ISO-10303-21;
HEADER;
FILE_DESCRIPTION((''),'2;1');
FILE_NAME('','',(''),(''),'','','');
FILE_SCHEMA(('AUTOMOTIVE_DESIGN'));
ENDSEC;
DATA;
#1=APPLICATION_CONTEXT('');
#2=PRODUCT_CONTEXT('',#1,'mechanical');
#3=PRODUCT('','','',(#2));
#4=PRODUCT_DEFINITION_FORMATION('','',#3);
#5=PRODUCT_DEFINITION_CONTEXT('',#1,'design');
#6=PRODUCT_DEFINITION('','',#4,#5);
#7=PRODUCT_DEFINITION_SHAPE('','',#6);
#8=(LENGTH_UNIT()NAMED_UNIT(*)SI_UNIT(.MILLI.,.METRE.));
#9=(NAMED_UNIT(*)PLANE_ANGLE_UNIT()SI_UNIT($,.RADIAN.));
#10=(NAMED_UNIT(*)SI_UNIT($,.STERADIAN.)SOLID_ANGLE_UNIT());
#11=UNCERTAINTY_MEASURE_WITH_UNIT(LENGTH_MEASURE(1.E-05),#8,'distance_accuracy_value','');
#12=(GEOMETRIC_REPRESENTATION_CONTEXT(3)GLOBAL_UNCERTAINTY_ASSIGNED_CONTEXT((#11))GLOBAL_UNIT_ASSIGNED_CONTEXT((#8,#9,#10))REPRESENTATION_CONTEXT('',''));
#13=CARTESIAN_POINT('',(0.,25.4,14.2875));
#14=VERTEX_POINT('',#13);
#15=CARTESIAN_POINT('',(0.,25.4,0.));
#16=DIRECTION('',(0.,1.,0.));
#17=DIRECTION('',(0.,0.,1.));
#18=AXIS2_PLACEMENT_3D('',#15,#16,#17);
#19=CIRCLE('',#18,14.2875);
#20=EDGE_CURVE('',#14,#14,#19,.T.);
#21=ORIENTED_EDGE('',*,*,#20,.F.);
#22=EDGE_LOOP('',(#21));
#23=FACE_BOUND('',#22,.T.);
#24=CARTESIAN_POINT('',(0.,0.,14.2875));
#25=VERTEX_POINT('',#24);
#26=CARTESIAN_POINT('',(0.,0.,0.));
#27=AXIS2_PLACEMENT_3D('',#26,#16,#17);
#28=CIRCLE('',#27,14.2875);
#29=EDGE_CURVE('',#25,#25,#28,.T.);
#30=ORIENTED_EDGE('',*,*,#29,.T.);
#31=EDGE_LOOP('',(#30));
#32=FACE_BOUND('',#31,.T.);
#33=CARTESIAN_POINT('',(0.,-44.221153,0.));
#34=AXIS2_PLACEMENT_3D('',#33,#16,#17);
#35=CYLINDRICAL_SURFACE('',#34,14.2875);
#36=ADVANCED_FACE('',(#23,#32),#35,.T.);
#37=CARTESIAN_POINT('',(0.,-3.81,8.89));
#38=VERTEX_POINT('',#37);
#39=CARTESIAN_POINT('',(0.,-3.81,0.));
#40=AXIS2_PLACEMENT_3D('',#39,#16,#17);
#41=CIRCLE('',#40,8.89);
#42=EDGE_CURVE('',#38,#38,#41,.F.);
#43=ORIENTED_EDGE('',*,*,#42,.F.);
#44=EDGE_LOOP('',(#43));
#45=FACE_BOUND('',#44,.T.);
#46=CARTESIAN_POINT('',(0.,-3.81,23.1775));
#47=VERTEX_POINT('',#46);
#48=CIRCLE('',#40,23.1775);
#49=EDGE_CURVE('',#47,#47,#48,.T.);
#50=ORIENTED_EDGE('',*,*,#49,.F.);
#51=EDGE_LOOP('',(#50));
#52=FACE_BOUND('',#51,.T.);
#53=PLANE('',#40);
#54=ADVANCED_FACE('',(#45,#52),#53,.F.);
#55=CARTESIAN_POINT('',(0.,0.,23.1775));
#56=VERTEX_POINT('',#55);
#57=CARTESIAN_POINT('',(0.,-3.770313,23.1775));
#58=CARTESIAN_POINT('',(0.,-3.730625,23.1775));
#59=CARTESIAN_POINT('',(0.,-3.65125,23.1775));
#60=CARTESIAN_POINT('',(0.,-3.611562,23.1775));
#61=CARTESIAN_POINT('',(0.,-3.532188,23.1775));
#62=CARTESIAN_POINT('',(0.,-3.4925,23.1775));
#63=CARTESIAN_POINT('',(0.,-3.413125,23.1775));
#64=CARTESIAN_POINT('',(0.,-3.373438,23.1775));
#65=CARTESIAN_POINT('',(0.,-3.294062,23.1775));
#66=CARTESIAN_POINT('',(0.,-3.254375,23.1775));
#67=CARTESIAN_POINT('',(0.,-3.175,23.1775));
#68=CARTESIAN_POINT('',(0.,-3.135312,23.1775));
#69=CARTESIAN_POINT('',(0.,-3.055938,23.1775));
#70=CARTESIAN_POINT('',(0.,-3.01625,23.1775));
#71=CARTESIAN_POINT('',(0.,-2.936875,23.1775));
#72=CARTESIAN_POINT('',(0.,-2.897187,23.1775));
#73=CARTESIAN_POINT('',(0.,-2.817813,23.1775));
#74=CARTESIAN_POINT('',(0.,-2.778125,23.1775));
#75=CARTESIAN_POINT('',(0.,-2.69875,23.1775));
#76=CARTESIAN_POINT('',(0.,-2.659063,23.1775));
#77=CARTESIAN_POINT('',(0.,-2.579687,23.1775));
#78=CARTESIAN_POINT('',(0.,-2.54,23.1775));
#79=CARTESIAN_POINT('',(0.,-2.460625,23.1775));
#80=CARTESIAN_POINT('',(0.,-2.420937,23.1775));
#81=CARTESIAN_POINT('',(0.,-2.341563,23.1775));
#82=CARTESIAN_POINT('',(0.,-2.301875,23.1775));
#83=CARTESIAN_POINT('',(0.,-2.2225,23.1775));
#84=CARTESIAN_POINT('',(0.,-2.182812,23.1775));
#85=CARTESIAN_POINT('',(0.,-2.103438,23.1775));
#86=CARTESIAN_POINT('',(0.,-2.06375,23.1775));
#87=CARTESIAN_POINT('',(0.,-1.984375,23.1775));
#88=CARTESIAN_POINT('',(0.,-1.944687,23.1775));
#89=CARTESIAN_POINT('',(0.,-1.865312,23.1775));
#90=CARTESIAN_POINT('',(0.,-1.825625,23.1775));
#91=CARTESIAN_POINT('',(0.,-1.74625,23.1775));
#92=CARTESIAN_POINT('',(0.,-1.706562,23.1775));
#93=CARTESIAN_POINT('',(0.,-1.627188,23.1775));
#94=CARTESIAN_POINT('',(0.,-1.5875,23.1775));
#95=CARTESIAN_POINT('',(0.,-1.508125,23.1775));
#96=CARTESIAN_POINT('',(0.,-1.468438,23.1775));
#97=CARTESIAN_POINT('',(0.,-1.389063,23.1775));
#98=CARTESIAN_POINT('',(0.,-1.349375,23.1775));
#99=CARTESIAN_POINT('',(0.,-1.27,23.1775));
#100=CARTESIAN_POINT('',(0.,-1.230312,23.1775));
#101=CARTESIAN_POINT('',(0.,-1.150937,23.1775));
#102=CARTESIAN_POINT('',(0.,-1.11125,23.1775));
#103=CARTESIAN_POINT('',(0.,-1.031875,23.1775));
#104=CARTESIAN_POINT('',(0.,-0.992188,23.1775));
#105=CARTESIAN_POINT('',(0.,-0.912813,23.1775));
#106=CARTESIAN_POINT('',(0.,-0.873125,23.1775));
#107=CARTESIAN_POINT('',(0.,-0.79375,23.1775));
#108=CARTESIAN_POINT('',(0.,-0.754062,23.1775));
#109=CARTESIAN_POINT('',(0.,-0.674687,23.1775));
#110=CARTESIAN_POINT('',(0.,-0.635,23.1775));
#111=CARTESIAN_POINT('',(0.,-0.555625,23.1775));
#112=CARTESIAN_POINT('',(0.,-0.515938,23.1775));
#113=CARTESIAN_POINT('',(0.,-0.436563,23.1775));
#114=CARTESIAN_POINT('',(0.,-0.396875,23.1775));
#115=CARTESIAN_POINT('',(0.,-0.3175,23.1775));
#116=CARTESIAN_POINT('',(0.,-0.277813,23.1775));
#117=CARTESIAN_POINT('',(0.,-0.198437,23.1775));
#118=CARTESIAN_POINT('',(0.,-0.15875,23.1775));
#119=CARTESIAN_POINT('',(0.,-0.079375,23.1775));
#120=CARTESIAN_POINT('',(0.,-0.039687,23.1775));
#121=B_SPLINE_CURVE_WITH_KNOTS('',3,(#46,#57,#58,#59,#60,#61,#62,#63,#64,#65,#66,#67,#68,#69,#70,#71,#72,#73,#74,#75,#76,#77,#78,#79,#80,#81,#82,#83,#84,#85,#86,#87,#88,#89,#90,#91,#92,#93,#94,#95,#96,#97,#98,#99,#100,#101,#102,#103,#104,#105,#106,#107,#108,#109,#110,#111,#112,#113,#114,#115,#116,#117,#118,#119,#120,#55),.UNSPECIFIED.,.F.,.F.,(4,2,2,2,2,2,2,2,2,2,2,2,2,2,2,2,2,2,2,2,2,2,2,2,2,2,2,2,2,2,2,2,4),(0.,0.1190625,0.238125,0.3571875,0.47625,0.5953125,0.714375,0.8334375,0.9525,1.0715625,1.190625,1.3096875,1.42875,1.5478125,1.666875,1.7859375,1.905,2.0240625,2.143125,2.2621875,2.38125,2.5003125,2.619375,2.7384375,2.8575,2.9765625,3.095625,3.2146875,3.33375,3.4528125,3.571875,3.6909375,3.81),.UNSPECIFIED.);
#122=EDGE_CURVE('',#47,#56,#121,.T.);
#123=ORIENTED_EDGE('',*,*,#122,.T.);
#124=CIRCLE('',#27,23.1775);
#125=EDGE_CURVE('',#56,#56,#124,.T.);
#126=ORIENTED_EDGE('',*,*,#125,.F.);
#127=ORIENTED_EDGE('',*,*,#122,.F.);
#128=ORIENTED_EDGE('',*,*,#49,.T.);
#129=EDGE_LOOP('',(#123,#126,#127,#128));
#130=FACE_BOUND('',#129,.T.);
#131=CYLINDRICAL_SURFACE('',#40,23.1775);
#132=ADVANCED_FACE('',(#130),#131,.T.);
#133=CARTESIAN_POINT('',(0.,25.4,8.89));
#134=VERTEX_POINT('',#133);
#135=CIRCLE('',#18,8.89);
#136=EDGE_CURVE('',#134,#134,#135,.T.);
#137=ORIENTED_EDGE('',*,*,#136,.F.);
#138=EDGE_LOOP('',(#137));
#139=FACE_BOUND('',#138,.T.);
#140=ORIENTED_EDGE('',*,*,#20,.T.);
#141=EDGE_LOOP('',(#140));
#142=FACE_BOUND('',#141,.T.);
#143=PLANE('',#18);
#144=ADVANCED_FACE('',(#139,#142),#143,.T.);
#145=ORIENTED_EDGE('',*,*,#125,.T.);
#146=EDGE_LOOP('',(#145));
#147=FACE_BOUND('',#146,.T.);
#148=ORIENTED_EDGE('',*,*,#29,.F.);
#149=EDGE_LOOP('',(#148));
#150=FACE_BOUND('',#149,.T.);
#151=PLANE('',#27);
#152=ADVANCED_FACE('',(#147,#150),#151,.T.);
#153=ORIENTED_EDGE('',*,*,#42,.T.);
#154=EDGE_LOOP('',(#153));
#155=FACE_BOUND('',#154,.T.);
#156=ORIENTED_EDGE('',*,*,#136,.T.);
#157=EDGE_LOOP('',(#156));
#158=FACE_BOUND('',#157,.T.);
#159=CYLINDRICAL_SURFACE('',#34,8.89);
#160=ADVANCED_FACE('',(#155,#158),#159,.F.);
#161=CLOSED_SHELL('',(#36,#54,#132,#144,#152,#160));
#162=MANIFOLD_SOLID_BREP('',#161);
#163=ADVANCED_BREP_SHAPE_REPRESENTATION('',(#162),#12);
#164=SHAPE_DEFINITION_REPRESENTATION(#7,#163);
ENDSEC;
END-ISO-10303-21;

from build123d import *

# Parameters (mm, degrees)
SKETCH1_R                = 23.1775
SKETCH1_R_2              = 14.2875
BOSS_EXTRUDE2_DEPTH      = 3.81
BOSS_EXTRUDE3_DEPTH      = 25.4
BOSS_EXTRUDE3_DEPTH_BACK = 3.81
SKETCH1_4_R              = 14.2875
SKETCH1_4_R_2            = 8.89


with BuildPart() as part:
    # Sketch1 → Boss-Extrude2 (new body)
    with BuildSketch(Plane(origin=(0, 0, 0), x_dir=(1, 0, 0), z_dir=(0, 1, 0))):
        with Locations(Location((0, 0, 0), (0, 0, 270))):
            Circle(SKETCH1_R)
        with Locations(Location((0, 0, 0), (0, 0, 270))):
            Circle(SKETCH1_R_2, mode=Mode.SUBTRACT)
    extrude(amount=-BOSS_EXTRUDE2_DEPTH)

    # Sketch1<4> → Boss-Extrude3 (add, two sides: drawn at the far end of the back side and taken through both)
    with BuildSketch(Plane(origin=(0, 0, 0), x_dir=(1, 0, 0), z_dir=(0, 1, 0)).offset(-BOSS_EXTRUDE3_DEPTH_BACK)):
        with Locations(Location((0, 0, 0), (0, 0, 270))):
            Circle(SKETCH1_4_R)
        with Locations(Location((0, 0, 0), (0, 0, 270))):
            Circle(SKETCH1_4_R_2, mode=Mode.SUBTRACT)
    extrude(amount=BOSS_EXTRUDE3_DEPTH + BOSS_EXTRUDE3_DEPTH_BACK)


solid = part.part
